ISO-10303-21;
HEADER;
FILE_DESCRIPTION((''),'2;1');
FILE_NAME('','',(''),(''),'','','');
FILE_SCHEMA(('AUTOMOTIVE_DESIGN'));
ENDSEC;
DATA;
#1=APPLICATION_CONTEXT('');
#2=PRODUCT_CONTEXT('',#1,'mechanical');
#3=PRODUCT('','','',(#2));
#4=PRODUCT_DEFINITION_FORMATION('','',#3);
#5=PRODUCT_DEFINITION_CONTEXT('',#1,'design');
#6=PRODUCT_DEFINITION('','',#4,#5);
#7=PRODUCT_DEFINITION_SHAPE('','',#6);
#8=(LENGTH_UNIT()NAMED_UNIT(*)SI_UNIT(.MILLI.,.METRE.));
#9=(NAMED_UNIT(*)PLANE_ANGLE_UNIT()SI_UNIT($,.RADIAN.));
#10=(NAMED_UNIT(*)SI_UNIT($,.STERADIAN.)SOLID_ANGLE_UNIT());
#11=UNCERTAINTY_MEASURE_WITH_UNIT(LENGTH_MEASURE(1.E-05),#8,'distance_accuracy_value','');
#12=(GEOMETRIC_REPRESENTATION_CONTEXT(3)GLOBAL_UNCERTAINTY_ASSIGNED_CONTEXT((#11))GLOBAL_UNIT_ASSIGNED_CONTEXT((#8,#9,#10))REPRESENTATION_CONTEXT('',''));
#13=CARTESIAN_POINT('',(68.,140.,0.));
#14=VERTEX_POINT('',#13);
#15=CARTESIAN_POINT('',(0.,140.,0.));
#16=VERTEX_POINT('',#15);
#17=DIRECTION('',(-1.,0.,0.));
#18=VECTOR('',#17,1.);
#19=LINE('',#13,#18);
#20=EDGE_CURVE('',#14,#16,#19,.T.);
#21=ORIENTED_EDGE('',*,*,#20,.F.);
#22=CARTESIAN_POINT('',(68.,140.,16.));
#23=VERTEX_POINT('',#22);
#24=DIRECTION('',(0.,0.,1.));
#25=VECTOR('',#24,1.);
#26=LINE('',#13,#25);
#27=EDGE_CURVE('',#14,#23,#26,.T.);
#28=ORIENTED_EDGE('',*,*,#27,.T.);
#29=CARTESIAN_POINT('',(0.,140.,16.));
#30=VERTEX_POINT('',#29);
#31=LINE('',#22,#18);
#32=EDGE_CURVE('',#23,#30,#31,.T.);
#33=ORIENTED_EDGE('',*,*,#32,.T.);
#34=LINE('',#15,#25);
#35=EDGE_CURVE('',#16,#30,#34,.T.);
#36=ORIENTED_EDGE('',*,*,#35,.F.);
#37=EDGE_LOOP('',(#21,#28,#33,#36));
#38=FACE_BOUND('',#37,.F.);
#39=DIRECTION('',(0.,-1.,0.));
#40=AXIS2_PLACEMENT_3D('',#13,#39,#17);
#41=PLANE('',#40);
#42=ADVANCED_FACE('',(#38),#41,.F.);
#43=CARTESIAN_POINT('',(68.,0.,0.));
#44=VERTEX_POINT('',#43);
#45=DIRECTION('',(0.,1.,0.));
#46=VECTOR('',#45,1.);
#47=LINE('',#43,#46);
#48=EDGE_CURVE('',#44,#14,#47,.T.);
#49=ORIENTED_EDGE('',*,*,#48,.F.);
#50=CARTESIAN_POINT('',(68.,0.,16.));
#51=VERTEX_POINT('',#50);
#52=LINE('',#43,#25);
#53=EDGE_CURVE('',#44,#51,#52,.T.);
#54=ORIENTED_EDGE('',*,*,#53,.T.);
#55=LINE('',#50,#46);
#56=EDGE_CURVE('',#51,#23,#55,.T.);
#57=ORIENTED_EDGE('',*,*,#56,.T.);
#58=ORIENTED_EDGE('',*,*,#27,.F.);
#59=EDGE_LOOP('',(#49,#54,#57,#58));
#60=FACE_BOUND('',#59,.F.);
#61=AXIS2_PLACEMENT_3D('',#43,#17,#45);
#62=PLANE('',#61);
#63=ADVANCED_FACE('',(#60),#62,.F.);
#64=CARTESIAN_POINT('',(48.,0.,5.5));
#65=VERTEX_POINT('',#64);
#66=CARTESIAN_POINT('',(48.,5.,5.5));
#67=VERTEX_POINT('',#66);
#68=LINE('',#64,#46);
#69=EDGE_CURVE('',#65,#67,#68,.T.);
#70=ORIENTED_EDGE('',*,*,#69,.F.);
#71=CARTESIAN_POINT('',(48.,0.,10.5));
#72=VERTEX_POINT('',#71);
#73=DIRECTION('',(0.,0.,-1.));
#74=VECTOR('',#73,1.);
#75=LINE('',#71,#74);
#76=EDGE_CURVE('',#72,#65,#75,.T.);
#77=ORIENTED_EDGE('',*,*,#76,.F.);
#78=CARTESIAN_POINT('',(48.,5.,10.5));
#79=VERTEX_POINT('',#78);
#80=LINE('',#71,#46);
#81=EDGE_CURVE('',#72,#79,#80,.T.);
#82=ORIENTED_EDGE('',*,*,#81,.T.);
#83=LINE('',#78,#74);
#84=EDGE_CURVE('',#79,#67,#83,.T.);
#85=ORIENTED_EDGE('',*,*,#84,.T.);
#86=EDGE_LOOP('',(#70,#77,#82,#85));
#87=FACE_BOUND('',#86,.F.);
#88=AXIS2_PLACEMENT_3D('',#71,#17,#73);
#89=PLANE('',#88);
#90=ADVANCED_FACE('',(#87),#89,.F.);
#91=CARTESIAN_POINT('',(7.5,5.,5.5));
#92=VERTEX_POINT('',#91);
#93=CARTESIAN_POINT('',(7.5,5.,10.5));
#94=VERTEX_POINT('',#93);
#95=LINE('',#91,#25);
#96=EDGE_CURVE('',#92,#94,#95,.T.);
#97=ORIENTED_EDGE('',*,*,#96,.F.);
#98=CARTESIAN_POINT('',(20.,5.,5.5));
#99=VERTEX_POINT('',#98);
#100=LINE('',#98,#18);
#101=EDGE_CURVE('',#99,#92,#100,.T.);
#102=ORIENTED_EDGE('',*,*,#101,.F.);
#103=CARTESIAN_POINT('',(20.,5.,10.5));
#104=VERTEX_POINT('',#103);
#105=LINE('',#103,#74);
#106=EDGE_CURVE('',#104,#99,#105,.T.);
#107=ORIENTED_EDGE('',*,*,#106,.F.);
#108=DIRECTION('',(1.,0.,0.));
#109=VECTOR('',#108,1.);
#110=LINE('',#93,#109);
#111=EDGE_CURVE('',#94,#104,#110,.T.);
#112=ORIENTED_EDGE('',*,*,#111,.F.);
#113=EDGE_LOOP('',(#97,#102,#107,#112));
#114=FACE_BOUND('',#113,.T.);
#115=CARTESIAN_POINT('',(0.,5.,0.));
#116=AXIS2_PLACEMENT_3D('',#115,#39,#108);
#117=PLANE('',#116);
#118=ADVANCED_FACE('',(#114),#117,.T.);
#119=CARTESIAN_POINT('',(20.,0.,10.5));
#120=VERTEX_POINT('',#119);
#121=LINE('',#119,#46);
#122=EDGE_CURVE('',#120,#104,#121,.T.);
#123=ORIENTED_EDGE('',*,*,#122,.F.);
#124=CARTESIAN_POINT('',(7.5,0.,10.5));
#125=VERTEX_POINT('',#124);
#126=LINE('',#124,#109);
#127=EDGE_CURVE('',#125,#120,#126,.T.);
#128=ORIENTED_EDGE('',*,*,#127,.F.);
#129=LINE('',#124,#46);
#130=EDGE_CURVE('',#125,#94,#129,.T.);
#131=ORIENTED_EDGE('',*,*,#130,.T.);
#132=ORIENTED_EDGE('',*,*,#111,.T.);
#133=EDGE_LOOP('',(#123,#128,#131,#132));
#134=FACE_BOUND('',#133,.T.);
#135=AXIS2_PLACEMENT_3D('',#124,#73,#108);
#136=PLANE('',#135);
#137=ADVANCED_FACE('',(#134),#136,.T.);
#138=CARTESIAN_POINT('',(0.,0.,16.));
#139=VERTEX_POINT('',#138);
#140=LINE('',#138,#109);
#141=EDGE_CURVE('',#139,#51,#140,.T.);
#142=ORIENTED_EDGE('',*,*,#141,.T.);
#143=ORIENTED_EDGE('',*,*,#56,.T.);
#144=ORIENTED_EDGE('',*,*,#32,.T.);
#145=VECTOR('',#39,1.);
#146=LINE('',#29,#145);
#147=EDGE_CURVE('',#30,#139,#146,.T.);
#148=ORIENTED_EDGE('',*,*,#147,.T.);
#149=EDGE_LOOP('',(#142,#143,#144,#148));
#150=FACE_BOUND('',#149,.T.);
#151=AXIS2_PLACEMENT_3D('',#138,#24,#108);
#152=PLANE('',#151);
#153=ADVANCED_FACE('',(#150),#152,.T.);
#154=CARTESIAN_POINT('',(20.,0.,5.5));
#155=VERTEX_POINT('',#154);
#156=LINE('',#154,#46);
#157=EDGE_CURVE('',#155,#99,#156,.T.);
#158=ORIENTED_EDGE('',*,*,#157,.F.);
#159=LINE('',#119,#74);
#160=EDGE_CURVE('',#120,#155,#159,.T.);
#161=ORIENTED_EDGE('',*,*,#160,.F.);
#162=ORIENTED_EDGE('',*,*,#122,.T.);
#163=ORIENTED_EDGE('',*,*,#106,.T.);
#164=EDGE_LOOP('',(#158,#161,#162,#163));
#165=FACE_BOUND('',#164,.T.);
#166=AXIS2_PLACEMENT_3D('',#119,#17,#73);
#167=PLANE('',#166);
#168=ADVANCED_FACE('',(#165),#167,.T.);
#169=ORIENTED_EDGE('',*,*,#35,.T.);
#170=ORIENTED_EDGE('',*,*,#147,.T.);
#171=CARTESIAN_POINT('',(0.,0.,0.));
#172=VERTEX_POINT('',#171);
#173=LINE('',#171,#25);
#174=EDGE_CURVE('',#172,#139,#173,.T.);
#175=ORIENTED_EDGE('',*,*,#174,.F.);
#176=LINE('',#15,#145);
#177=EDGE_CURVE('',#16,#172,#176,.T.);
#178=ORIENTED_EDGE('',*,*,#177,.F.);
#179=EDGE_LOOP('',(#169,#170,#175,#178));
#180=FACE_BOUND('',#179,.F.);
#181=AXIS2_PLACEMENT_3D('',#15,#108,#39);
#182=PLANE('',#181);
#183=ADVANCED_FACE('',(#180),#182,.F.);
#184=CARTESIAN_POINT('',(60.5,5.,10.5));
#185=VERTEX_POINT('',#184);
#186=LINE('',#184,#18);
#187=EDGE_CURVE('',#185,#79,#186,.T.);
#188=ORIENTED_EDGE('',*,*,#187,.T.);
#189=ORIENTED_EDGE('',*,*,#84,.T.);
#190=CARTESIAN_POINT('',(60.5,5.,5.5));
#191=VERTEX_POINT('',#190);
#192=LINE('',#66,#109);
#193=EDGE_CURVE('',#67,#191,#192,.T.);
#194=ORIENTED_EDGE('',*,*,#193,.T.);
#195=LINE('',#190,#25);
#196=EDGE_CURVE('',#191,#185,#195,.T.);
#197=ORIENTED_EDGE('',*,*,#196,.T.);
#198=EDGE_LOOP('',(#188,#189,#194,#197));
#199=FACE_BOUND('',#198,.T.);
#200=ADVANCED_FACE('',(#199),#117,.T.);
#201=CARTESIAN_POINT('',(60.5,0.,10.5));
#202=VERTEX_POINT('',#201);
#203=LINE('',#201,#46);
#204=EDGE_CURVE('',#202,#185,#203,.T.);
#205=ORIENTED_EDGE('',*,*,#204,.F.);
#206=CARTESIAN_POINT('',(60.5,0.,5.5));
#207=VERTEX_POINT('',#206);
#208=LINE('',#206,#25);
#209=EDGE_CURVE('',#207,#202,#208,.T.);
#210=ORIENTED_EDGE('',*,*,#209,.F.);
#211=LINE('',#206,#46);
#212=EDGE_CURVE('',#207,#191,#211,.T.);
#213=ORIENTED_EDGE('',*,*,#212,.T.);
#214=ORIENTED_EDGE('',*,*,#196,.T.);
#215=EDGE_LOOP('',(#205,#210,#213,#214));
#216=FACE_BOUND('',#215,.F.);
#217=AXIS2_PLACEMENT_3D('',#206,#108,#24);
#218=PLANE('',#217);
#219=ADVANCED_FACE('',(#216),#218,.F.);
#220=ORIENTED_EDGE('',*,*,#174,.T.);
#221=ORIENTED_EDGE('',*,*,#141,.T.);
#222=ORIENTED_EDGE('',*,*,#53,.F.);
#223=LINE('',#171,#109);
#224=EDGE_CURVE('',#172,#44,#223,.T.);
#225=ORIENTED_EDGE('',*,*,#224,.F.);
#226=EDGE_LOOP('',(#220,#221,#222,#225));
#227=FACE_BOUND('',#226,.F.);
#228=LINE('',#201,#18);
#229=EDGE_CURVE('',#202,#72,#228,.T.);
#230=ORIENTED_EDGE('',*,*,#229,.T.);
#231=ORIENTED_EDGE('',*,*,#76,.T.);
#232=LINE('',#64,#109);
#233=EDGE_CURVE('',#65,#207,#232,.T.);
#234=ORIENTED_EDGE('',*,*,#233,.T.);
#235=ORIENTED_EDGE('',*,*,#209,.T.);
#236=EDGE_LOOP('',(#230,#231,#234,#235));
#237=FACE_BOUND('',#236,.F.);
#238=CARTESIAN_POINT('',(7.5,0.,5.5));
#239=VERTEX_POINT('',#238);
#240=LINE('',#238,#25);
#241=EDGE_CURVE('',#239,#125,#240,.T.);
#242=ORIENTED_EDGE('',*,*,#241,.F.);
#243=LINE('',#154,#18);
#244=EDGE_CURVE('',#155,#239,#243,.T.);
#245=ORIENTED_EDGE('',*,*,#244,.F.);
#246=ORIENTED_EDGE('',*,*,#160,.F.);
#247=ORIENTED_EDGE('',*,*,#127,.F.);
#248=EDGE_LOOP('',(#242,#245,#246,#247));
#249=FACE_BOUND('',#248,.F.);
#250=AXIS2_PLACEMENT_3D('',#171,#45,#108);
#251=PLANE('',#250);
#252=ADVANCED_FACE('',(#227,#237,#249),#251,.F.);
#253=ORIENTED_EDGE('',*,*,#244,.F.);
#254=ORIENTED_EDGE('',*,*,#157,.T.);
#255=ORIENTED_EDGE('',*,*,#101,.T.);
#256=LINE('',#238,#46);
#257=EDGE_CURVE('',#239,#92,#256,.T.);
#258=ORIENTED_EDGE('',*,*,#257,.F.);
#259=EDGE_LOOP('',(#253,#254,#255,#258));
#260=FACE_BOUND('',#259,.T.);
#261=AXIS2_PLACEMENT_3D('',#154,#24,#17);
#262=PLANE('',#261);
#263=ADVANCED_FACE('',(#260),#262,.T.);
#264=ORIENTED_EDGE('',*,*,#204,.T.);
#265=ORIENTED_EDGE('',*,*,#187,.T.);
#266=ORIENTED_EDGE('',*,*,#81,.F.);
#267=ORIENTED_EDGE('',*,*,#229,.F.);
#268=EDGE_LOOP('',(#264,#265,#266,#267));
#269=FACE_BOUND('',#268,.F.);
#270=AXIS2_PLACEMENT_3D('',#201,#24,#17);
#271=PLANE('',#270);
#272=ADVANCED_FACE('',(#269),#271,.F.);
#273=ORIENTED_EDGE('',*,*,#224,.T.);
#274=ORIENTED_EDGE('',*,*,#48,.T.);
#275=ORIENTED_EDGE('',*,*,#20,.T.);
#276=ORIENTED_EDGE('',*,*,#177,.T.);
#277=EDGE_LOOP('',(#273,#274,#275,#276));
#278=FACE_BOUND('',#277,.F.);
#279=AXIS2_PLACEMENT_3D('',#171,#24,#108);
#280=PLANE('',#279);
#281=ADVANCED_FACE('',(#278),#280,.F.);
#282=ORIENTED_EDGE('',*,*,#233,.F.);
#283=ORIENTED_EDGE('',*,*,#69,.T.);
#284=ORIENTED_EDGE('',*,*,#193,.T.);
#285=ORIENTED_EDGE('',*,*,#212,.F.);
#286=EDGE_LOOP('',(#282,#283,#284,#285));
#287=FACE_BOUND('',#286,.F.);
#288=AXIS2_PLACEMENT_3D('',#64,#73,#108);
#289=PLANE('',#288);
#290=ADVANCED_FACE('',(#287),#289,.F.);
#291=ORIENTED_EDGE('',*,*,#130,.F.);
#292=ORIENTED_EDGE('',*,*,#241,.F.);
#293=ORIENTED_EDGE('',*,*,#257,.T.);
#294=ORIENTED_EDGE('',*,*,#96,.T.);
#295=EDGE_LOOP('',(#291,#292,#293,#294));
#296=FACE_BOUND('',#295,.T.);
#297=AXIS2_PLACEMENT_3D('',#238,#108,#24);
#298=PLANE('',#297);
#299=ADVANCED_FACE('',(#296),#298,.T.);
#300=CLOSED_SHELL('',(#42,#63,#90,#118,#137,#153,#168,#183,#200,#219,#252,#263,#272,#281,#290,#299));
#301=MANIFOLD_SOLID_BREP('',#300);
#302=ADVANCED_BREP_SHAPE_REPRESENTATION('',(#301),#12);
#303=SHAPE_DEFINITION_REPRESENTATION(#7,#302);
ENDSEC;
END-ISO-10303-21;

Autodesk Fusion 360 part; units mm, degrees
sketch "Sketch1" plane through (0, 0, 0) normal (0, 0, 1) x (1, 0, 0)
  line L0 (0, 0) -> (68, 0)
  line L1 (68, 0) -> (68, 140)
  line L2 (68, 140) -> (0, 140)
  line L3 (0, 140) -> (0, 0)
  dimension "d1" = 68
  dimension "d2" = 140
extrude "Extrude1" add sketch "Sketch1" along normal blind 16
sketch "Sketch2" plane through (0, 0, 0) normal (0, -1, 0) x (1, 0, 0)
  line L0 (0, 0) -> (68, 0)
  line L1 (68, 0) -> (68, 16)
  line L2 (68, 16) -> (0, 16)
  line L3 (0, 16) -> (0, 0)
  line L4 (0, 8) -> (68, 8) construction
  line L5 (7.5, 10.5) -> (20, 10.5)
  line L6 (20, 10.5) -> (20, 5.5)
  line L7 (20, 5.5) -> (7.5, 5.5)
  line L8 (7.5, 5.5) -> (7.5, 10.5)
  line L9 (7.5, 10.5) -> (20, 5.5) construction
  line L10 (20, 10.5) -> (7.5, 5.5) construction
  line L11 (34, 0) -> (34, 16) construction
  line L12 (60.5, 10.5) -> (48, 10.5)
  line L13 (60.5, 5.5) -> (60.5, 10.5)
  line L14 (48, 5.5) -> (60.5, 5.5)
  line L15 (48, 10.5) -> (48, 5.5)
  point P0 (13.75, 8)
  dimension "d5" = 12.5
  dimension "d6" = 5
  dimension "d7" = 7.5
extrude "Extrude2" cut sketch "Sketch2" against normal blind 5 contours L5 L6 L7 L8 | L12 L13 L14 L15
